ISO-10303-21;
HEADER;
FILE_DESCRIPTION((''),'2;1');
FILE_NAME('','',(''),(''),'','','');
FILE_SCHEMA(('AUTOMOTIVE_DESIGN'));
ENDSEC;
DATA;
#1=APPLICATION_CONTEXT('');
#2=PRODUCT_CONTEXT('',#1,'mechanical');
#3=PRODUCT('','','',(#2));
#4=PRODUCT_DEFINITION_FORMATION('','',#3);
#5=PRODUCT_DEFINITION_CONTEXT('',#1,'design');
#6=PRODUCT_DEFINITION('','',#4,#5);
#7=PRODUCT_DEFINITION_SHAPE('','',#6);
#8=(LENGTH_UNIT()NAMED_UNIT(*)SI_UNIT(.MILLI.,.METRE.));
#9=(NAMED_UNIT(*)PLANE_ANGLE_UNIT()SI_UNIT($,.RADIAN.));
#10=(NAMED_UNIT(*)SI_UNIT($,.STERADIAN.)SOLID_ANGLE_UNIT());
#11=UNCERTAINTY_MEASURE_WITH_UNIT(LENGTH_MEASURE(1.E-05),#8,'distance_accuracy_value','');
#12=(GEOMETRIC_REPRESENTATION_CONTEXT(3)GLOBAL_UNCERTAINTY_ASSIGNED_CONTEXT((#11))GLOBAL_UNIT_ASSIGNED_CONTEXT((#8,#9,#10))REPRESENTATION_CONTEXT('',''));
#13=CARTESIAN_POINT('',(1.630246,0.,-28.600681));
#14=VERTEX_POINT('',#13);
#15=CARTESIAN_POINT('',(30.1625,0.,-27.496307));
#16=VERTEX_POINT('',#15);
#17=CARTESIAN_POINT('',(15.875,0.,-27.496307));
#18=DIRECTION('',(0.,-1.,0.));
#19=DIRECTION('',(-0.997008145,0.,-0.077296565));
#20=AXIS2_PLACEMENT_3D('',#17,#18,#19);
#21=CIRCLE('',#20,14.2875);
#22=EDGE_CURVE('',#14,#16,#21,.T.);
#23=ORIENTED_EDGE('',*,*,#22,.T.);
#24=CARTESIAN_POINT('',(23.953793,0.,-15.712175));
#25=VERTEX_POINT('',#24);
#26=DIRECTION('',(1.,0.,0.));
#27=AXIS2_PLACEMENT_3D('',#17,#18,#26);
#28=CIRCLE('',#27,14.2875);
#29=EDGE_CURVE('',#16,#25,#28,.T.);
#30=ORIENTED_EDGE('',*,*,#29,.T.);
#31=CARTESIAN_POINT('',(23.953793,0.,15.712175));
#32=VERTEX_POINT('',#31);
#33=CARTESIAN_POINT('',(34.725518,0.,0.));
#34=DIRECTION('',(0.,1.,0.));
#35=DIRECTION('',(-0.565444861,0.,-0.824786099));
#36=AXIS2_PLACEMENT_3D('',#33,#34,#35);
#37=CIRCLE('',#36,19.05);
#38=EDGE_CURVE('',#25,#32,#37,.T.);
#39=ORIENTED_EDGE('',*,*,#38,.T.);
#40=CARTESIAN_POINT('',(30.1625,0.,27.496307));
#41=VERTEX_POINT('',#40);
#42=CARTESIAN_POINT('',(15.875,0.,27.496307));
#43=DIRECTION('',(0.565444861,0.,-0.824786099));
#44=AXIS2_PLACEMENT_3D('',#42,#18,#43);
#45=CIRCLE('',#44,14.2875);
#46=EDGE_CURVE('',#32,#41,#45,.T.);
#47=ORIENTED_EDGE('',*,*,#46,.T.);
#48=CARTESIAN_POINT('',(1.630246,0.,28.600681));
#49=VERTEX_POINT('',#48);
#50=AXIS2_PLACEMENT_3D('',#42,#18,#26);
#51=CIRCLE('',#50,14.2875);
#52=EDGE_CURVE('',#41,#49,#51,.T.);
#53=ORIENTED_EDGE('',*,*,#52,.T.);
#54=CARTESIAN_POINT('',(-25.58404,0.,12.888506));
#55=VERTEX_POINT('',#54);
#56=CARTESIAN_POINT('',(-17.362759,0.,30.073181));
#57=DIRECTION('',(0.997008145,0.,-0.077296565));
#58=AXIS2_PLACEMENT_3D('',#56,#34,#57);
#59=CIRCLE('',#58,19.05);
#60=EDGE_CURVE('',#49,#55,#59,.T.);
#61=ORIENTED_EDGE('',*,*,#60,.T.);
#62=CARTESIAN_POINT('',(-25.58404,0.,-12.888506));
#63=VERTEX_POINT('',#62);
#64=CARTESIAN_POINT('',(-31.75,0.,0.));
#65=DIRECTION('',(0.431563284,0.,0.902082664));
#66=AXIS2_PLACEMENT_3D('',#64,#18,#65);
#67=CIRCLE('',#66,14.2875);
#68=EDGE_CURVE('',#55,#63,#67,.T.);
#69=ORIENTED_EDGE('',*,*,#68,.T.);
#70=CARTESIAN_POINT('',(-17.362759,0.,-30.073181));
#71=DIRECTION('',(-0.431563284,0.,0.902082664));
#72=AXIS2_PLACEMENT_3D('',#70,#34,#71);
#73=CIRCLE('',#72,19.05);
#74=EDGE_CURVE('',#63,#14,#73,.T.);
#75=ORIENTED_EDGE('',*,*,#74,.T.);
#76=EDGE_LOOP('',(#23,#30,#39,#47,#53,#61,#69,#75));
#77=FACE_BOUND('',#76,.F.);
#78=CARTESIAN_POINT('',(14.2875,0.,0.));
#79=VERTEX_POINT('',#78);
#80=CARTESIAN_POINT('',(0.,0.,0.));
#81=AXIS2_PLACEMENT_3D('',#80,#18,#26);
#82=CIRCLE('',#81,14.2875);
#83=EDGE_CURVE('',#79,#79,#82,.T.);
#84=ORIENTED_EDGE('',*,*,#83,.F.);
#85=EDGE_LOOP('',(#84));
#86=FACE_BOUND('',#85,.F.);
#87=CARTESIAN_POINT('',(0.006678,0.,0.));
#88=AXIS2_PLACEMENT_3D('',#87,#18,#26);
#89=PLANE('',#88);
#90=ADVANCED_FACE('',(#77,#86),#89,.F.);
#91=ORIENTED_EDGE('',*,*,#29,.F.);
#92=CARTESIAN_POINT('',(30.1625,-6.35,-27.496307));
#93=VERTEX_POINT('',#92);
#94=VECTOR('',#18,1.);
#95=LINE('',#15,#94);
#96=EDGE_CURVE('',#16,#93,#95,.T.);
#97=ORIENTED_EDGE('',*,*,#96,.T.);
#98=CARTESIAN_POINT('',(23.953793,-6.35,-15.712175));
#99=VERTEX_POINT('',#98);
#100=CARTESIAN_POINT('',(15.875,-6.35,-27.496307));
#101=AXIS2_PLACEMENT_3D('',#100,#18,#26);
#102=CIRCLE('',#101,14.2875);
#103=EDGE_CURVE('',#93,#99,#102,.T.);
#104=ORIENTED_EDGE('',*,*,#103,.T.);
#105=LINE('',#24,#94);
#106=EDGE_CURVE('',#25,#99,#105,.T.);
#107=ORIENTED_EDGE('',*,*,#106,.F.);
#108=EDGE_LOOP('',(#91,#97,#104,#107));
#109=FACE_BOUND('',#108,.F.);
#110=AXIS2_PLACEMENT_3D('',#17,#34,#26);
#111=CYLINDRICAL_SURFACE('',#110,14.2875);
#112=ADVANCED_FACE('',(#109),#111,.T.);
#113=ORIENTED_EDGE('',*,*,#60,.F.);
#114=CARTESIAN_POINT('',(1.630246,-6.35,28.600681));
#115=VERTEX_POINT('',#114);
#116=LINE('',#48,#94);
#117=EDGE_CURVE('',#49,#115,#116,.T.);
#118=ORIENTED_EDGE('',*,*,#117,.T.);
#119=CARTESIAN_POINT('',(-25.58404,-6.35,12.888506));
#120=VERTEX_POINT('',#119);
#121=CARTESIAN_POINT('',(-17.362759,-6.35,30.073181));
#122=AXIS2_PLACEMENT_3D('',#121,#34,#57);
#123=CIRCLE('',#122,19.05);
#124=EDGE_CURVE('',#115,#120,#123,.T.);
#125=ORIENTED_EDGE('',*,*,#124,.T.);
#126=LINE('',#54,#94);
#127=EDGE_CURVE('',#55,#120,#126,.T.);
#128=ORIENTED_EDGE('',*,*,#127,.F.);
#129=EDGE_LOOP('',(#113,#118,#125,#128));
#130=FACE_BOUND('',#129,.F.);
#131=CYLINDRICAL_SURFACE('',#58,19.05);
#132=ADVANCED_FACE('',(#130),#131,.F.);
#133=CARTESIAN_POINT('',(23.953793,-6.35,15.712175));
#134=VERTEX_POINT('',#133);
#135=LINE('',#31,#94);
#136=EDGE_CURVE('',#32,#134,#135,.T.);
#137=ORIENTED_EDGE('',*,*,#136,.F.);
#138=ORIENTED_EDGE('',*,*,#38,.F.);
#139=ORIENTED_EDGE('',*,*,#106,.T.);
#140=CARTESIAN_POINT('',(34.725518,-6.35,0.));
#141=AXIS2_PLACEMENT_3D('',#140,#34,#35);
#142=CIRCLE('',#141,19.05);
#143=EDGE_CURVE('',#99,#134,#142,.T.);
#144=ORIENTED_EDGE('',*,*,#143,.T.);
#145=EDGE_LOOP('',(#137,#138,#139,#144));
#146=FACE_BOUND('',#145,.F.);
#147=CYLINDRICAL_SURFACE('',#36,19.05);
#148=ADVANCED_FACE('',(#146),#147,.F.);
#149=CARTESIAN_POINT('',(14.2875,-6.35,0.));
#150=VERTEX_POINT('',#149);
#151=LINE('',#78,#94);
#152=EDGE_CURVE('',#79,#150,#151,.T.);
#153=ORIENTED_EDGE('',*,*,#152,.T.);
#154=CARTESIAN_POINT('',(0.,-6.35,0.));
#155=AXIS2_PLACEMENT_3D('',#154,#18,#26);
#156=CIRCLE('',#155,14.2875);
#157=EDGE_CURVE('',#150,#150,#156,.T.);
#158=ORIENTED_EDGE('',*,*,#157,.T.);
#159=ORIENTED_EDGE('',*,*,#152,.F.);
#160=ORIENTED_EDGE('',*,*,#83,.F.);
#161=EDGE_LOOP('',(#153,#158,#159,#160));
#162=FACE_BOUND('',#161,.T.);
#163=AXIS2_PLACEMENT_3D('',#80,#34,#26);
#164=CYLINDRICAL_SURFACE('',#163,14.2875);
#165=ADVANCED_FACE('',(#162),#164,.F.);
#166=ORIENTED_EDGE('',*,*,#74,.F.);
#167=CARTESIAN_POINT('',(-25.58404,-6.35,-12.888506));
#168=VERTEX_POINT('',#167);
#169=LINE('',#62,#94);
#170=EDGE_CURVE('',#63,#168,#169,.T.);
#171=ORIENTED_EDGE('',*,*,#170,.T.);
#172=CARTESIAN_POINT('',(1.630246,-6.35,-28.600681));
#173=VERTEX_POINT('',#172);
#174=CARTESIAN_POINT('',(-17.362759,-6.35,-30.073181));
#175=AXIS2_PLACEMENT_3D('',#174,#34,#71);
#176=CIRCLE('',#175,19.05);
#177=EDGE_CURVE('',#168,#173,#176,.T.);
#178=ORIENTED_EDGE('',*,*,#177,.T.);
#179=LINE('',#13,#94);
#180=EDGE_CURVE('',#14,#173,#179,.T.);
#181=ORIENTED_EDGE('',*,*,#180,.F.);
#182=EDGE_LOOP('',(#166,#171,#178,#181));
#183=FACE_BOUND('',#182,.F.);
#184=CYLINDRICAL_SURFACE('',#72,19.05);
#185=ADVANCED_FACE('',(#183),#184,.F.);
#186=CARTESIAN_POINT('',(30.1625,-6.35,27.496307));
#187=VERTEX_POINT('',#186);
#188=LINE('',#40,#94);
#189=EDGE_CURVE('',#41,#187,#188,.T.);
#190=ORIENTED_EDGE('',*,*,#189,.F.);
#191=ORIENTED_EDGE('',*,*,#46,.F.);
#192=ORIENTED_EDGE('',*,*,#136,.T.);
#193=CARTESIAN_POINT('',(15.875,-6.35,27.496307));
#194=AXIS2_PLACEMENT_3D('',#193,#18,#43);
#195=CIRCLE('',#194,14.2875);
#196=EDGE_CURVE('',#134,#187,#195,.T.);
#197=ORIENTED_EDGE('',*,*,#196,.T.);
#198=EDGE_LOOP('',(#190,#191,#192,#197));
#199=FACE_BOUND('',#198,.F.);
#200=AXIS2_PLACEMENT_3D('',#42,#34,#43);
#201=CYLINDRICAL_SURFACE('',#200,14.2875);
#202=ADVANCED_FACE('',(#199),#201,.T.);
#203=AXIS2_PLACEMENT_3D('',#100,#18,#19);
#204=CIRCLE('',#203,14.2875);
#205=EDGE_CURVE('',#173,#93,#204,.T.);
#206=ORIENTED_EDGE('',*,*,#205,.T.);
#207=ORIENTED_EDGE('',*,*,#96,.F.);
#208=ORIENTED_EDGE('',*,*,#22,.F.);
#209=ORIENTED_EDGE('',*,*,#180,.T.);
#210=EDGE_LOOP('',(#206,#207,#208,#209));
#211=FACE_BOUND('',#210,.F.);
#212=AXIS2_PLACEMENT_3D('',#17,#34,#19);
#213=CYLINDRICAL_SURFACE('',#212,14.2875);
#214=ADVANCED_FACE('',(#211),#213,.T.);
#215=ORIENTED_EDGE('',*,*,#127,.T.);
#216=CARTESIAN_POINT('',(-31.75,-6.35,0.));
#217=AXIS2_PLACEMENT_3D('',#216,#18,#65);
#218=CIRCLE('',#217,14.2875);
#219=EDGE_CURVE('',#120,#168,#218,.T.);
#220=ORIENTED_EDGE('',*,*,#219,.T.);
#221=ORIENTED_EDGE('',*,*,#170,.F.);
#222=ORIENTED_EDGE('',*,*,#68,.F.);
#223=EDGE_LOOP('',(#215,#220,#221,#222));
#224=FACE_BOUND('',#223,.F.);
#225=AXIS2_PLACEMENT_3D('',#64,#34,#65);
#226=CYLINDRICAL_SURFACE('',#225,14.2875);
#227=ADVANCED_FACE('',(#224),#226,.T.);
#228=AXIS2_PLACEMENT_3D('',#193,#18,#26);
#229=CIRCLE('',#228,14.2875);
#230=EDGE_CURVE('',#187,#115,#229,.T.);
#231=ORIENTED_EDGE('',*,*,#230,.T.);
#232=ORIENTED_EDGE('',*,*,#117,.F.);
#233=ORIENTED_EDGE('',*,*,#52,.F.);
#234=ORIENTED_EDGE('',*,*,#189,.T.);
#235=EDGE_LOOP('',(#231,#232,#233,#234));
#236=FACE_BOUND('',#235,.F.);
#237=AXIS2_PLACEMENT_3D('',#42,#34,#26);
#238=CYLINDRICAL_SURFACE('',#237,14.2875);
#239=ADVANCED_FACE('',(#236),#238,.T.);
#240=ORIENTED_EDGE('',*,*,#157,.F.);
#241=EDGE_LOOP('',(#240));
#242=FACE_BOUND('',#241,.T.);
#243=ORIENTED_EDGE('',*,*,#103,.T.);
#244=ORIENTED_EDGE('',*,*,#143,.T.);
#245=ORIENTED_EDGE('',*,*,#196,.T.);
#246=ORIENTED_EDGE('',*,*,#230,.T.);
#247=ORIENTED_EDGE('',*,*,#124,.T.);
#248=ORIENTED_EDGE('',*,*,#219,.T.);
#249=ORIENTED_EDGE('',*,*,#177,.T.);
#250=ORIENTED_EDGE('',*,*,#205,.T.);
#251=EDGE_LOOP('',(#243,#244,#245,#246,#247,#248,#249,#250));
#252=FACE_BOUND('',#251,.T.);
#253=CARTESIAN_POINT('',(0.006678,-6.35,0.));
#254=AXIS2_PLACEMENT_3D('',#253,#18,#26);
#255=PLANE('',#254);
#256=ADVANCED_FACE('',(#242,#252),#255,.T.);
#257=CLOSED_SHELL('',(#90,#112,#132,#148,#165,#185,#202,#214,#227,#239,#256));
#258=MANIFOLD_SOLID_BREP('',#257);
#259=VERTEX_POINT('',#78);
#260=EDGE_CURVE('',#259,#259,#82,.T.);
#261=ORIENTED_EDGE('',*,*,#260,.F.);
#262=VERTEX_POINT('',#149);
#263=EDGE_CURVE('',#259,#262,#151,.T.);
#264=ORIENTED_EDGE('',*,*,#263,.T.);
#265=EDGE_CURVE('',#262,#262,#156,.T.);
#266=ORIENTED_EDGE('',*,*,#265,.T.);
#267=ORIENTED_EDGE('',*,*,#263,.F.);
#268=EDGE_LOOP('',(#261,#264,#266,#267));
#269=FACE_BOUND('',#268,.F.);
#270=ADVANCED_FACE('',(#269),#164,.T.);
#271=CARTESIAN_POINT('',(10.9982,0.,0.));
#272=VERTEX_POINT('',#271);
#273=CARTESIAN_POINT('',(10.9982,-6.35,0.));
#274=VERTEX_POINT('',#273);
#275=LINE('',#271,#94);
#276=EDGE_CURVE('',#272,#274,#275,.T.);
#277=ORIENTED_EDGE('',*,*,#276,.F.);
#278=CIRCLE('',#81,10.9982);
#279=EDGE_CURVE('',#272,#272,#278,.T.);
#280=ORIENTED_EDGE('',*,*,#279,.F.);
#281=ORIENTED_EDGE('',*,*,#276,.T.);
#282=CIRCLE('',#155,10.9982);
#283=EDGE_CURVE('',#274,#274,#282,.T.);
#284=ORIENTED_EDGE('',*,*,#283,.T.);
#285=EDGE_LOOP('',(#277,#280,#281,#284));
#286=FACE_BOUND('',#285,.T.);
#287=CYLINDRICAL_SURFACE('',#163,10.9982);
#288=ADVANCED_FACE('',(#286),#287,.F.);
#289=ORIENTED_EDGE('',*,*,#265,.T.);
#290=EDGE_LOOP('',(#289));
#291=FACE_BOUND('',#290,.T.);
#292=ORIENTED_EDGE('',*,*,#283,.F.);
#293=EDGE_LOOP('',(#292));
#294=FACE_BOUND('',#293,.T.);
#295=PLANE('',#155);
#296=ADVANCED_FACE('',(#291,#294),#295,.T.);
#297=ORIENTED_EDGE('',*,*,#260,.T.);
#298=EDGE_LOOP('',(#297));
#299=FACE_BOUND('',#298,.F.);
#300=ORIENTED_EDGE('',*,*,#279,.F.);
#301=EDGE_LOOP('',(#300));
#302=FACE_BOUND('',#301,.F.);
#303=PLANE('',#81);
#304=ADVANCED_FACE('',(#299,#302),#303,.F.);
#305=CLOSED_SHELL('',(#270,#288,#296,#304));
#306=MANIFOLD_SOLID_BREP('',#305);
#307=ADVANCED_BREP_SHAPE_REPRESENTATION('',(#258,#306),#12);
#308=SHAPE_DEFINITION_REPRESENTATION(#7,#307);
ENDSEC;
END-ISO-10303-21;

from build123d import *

# Parameters (mm, degrees)
F1_R     = 14.2875
F2_DEPTH = 6.35
F0_R     = 14.2875
F0_R_2   = 10.9982


with BuildPart() as f2:
    # F1 (on Front) → F2 (new body)
    with BuildSketch(Plane.XZ):
        with BuildLine():
            ThreePointArc((23.9537934556, -15.7121751829), (15.6755180632, 0), (23.9537934556, 15.7121751829))
            ThreePointArc((23.9537934556, 15.7121751829), (8.73125, 15.1229686136), (1.6302461293, 28.6006812411))
            ThreePointArc((1.6302461293, 28.6006812411), (-7.8377590316, 13.5753968602), (-25.584039585, 12.8885060581))
            ThreePointArc((-25.584039585, 12.8885060581), (-19.6622207234, 7.6169710785), (-17.4625, 0))
            ThreePointArc((-17.4625, 0), (-19.6622207234, -7.6169710785), (-25.584039585, -12.8885060581))
            ThreePointArc((-25.584039585, -12.8885060581), (-7.8377590316, -13.5753968602), (1.6302461293, -28.6006812411))
            ThreePointArc((1.6302461293, -28.6006812411), (8.73125, -15.1229686136), (23.9537934556, -15.7121751829))
        make_face()
        Circle(F1_R, mode=Mode.SUBTRACT)
        with BuildLine():
            ThreePointArc((1.6302461293, 28.6006812411), (8.73125, 15.1229686136), (23.9537934556, 15.7121751829))
            ThreePointArc((23.9537934556, 15.7121751829), (28.5153800921, 20.8364681805), (30.1625, 27.4963065702))
            ThreePointArc((30.1625, 27.4963065702), (16.4276008155, 41.7731160383), (1.6302461293, 28.6006812411))
        make_face()
        with BuildLine():
            ThreePointArc((30.1625, -27.4963065702), (28.5153800921, -20.8364681805), (23.9537934556, -15.7121751829))
            ThreePointArc((23.9537934556, -15.7121751829), (8.73125, -15.1229686136), (1.6302461293, -28.6006812411))
            ThreePointArc((1.6302461293, -28.6006812411), (16.4276008155, -41.7731160383), (30.1625, -27.4963065702))
        make_face()
        with BuildLine():
            ThreePointArc((-17.4625, 0), (-19.6622207234, 7.6169710785), (-25.584039585, 12.8885060581))
            ThreePointArc((-25.584039585, 12.8885060581), (-46.0375, 0), (-25.584039585, -12.8885060581))
            ThreePointArc((-25.584039585, -12.8885060581), (-19.6622207234, -7.6169710785), (-17.4625, 0))
        make_face()
    extrude(amount=F2_DEPTH)


with BuildPart() as f2b:
    # F0 (on Front) → F2, piece 2 (new body)
    with BuildSketch(Plane.XZ):
        Circle(F0_R)
        Circle(F0_R_2, mode=Mode.SUBTRACT)
    extrude(amount=F2_DEPTH)


solid = Compound([f2.part, f2b.part])
